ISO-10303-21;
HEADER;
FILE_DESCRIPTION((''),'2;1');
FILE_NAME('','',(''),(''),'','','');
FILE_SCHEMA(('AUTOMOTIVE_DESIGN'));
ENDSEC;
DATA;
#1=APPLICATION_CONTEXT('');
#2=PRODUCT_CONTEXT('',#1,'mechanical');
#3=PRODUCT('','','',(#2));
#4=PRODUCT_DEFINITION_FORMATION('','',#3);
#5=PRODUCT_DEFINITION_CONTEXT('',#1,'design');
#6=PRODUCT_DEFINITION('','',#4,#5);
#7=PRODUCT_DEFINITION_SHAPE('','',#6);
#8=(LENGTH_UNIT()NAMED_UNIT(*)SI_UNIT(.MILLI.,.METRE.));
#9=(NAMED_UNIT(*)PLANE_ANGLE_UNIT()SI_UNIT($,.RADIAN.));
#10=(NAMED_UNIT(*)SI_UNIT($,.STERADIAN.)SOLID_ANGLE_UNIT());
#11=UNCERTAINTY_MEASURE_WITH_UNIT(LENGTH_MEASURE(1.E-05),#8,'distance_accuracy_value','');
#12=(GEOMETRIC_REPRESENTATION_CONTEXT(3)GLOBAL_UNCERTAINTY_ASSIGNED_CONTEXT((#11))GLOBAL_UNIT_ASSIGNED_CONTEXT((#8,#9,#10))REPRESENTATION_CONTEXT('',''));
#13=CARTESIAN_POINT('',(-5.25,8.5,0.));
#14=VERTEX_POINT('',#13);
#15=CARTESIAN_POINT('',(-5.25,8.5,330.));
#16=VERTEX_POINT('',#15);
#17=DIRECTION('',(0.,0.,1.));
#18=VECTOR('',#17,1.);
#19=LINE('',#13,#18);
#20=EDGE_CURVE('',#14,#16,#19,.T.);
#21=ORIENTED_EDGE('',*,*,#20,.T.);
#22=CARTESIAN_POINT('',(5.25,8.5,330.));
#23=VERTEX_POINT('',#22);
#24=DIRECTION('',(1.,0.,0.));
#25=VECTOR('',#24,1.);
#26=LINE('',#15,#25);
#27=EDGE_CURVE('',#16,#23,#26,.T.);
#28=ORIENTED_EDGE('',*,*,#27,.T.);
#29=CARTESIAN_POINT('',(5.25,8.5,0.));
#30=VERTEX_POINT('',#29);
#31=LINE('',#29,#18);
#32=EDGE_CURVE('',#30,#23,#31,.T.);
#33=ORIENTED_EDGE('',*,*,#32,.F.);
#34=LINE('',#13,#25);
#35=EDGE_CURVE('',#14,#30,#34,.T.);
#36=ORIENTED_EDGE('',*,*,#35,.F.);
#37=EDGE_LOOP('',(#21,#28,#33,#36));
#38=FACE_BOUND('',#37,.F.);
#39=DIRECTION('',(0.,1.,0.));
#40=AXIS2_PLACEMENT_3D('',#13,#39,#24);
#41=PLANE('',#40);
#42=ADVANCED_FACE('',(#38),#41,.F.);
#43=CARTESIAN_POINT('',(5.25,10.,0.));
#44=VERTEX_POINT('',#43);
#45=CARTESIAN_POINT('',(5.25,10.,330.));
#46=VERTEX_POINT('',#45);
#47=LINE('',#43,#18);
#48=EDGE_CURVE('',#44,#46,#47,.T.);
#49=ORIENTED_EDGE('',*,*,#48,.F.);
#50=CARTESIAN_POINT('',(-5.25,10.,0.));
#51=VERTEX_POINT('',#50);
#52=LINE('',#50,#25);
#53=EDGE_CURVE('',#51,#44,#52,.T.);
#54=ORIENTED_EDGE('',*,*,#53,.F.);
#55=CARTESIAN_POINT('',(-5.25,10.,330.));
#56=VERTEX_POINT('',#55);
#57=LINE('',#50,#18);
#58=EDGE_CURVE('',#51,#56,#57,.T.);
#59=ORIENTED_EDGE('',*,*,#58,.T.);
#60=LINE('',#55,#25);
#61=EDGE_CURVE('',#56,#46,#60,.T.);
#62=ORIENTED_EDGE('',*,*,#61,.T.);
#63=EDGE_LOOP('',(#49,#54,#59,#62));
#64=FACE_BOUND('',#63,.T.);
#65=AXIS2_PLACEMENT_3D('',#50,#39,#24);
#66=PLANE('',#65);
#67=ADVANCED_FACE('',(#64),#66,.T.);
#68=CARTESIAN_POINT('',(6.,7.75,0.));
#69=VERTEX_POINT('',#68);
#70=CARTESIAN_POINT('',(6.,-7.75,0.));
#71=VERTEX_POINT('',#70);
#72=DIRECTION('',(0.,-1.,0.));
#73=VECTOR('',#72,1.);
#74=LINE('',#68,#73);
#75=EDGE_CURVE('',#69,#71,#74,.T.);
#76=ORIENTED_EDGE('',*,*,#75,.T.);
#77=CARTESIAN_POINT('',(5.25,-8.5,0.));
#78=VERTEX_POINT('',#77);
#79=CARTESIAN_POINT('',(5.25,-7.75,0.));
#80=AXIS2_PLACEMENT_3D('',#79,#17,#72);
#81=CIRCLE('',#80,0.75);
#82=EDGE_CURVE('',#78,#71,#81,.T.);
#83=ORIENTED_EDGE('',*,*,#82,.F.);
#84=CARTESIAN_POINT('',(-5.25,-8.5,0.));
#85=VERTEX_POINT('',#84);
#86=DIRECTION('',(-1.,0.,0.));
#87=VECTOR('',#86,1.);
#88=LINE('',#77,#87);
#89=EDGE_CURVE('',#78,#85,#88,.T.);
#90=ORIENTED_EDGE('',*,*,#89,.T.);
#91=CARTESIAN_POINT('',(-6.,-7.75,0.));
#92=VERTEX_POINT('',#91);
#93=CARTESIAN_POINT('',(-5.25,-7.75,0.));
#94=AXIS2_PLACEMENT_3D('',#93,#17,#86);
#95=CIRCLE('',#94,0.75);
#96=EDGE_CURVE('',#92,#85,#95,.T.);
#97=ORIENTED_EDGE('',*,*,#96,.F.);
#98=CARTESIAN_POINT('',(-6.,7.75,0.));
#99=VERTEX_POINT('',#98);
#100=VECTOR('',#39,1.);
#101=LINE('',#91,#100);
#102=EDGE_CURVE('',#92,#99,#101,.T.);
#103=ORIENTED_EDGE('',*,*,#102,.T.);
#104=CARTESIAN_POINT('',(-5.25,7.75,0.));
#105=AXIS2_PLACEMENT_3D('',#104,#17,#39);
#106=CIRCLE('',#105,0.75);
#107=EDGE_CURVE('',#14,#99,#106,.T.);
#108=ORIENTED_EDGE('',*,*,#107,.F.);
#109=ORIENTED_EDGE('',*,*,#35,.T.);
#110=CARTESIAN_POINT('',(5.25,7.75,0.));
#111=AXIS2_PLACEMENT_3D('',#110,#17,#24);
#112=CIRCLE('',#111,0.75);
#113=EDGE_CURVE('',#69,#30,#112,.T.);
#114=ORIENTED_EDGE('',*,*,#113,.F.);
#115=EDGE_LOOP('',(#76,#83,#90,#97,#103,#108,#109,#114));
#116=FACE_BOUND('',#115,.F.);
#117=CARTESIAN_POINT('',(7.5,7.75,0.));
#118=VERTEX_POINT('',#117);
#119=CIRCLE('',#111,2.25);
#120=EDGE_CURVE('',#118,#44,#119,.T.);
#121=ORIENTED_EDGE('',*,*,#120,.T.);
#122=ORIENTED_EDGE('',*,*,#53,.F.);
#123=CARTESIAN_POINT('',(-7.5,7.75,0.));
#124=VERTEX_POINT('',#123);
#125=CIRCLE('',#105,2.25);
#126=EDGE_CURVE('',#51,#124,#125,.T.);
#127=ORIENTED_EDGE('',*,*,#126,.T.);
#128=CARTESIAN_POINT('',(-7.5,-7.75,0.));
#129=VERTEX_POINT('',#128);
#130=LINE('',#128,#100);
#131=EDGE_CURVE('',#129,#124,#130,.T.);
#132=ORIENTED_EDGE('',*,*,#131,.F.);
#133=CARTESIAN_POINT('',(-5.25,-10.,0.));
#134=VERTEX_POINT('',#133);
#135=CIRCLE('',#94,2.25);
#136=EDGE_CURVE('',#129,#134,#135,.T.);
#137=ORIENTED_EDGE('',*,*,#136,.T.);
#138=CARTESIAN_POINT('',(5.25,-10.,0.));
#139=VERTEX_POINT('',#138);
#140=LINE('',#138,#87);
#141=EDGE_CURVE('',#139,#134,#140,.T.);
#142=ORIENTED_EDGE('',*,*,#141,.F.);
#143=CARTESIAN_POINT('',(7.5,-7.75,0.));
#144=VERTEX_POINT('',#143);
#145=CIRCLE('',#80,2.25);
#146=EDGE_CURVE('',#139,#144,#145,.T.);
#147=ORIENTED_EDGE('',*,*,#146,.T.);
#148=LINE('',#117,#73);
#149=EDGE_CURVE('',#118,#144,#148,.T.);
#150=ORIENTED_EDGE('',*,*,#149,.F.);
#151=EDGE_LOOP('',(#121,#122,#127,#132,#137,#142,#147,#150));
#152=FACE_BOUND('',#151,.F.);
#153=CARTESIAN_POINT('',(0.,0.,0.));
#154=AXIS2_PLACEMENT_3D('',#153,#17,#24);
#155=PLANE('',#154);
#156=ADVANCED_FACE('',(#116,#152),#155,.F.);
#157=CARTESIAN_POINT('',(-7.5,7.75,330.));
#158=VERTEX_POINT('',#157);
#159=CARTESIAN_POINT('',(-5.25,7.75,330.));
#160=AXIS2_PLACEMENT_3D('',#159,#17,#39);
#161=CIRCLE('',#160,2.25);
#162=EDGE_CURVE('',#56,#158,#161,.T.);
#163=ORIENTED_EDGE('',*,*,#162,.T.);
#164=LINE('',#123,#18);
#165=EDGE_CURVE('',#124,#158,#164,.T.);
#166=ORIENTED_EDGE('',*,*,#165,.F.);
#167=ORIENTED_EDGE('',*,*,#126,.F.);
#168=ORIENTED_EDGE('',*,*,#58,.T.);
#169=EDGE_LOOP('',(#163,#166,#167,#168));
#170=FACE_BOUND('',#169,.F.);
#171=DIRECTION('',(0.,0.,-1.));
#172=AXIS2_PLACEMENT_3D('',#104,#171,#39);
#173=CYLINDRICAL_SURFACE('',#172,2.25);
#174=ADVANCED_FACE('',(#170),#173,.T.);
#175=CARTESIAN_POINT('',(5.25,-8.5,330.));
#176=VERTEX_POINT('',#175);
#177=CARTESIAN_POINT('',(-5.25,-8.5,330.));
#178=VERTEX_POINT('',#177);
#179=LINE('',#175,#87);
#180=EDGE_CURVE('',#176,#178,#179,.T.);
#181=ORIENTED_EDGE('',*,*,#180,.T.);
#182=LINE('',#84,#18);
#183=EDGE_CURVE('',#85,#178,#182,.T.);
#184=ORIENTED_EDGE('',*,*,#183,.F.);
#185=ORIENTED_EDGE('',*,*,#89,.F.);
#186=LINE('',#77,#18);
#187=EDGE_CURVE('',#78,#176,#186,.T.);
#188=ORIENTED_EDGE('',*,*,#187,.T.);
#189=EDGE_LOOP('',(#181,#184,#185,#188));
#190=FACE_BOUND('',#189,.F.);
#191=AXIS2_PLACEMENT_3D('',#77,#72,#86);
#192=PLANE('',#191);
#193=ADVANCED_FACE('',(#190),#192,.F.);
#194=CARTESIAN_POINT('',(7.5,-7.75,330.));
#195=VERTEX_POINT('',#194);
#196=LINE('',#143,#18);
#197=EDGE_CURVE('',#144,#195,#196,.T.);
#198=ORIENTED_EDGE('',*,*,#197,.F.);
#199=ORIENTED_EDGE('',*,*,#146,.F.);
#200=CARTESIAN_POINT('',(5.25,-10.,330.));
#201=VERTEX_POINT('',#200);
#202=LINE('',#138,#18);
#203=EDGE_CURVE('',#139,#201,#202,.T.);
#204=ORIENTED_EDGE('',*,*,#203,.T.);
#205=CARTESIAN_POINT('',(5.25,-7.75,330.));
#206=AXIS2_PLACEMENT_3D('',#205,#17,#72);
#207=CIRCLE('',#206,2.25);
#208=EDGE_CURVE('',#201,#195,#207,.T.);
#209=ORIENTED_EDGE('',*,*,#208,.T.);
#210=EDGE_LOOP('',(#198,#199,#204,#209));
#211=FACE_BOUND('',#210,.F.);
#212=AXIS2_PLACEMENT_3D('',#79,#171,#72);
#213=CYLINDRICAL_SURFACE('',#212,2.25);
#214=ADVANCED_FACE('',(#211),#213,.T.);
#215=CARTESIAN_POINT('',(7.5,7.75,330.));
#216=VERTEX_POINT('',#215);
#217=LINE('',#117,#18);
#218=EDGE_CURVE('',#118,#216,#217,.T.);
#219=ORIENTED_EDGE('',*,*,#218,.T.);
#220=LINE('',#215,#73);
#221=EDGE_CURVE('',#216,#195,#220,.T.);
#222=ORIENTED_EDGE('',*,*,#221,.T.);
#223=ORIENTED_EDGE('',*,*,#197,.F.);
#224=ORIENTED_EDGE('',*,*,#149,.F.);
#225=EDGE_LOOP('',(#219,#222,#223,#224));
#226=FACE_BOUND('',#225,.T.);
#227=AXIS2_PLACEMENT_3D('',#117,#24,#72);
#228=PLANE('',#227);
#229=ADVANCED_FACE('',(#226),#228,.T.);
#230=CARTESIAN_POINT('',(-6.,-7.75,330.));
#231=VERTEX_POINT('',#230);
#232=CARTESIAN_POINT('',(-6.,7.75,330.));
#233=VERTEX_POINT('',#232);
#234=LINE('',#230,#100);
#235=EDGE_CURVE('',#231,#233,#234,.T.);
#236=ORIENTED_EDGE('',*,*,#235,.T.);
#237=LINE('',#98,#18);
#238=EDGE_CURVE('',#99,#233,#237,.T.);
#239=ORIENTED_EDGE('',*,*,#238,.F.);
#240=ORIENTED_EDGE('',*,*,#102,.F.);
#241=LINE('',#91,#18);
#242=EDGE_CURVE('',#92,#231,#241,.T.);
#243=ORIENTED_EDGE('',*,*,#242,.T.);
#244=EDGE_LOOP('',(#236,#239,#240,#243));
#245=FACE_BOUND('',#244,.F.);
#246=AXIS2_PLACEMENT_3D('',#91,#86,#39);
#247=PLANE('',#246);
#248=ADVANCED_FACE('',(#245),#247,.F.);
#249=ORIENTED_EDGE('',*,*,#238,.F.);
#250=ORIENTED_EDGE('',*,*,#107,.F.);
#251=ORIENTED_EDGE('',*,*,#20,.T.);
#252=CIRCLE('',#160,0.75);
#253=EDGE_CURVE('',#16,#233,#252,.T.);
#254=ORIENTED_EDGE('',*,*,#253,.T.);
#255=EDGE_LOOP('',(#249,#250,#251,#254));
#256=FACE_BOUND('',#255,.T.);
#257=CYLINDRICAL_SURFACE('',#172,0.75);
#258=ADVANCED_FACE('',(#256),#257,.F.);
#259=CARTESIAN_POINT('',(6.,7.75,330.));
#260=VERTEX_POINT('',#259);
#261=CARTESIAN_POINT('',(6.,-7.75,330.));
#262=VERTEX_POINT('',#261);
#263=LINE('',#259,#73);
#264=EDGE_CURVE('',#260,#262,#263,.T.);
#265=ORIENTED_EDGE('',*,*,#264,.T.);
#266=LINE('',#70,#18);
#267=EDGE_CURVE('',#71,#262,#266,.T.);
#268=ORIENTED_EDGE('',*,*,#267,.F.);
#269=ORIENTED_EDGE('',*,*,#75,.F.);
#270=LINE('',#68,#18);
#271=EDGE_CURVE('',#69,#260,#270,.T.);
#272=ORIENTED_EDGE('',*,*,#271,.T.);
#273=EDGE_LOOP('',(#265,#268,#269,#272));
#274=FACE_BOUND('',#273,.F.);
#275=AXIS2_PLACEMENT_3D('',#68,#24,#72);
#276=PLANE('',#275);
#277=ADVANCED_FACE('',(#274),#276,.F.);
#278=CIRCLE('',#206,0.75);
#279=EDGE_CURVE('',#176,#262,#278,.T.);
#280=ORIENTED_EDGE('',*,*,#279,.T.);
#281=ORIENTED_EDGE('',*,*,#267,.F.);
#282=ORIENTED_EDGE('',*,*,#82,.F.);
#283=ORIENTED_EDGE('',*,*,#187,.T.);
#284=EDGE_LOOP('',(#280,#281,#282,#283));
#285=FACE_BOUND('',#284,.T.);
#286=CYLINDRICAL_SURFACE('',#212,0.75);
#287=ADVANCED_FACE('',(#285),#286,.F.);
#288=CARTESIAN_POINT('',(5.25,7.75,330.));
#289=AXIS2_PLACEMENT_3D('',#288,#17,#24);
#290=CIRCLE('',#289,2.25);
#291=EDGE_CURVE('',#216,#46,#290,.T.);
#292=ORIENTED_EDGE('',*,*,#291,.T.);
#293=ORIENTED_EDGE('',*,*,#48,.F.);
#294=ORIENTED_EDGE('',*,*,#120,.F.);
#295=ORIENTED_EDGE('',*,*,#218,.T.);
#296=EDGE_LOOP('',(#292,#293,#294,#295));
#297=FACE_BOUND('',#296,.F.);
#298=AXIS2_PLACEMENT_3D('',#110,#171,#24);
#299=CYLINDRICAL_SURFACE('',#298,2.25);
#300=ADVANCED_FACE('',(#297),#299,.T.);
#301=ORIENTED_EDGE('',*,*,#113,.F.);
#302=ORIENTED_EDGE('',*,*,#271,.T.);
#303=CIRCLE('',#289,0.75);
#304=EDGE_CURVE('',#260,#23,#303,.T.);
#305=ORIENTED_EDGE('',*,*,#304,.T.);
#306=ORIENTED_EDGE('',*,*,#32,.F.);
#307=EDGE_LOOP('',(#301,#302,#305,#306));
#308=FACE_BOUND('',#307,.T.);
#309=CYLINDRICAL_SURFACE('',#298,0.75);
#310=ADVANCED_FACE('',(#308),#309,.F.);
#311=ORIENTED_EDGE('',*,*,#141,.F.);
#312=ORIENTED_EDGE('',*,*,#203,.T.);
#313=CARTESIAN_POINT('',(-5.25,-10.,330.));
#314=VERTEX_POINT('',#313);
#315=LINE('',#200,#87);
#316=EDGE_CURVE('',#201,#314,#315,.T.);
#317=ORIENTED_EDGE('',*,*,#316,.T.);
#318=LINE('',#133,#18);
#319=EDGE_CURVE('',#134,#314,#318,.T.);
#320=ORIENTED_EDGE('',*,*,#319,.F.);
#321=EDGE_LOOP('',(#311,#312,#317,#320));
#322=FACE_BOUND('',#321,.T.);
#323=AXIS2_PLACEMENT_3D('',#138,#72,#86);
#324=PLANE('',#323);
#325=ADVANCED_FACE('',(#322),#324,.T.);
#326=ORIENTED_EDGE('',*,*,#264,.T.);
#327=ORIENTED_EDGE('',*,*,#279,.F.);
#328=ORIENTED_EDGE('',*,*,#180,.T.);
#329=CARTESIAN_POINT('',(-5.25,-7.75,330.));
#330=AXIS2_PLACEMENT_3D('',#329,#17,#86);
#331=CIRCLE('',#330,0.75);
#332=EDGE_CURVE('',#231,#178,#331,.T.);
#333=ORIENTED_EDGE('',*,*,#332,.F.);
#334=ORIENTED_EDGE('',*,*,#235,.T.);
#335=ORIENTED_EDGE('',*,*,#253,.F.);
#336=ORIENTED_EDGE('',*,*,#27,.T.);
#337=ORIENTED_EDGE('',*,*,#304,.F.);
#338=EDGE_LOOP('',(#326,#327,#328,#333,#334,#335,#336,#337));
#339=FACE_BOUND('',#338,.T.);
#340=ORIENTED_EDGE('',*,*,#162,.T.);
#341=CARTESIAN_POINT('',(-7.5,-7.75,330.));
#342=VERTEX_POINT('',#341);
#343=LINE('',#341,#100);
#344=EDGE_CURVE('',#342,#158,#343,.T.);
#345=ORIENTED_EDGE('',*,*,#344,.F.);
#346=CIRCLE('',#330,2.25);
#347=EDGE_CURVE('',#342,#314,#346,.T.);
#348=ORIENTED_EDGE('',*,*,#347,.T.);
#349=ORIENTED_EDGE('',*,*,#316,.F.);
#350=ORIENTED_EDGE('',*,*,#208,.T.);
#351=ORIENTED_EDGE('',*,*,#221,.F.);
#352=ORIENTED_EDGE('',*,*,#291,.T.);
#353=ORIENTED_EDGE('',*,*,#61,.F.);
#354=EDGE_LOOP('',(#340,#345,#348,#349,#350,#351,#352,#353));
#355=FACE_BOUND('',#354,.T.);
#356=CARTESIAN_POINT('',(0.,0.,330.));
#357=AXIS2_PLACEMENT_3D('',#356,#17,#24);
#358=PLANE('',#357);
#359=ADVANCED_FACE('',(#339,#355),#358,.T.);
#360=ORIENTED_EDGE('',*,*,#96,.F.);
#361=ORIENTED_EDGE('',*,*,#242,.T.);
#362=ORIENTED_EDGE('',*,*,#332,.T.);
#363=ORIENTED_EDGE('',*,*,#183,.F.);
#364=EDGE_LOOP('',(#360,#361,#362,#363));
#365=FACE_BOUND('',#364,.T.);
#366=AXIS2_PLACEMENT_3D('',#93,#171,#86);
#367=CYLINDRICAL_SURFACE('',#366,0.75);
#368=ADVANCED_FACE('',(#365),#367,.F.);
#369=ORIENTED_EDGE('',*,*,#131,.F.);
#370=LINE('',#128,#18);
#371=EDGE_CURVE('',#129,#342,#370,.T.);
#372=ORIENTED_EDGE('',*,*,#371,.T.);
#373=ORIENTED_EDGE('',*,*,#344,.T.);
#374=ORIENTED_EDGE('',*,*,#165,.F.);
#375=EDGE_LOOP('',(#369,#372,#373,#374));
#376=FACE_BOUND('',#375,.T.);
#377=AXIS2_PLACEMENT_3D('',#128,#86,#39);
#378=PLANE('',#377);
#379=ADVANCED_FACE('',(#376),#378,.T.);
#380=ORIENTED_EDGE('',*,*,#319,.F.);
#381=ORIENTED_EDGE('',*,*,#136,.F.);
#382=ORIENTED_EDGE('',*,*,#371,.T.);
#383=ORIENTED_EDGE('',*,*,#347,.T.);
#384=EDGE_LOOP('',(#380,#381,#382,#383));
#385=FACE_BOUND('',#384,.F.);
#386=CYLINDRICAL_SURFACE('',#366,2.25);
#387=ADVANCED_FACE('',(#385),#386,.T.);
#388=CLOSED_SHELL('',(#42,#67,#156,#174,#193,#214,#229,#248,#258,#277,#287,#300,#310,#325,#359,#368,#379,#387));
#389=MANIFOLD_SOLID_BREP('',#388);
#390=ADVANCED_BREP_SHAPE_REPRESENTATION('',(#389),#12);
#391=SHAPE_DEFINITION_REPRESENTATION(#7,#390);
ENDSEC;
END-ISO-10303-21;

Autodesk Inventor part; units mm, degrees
ref_plane "Start plane" through (0, 0, 0) normal (0, 0, 1) x (1, 0, 0)
ref_plane "End plane" through (0, 0, 330) normal (0, 0, 1) x (1, 0, 0)
sketch "Sketch" plane through (0, 0, 0) normal (0, 0, 1) x (1, 0, 0)
  line L0 (-7.5, -7.75) -> (-7.5, 7.75)
  line L1 (-5.25, 10) -> (5.25, 10)
  line L2 (7.5, 7.75) -> (7.5, -7.75)
  line L3 (5.25, -10) -> (-5.25, -10)
  arc A0 (-7.5, -7.75) -> (-5.25, -10) centre (-5.25, -7.75) ccw
  arc A1 (-5.25, 10) -> (-7.5, 7.75) centre (-5.25, 7.75) ccw
  arc A2 (7.5, 7.75) -> (5.25, 10) centre (5.25, 7.75) ccw
  arc A3 (5.25, -10) -> (7.5, -7.75) centre (5.25, -7.75) ccw
  arc A4 (-5.25, 8.5) -> (-6, 7.75) centre (-5.25, 7.75) ccw
  line L4 (-5.25, 8.5) -> (5.25, 8.5)
  arc A5 (6, 7.75) -> (5.25, 8.5) centre (5.25, 7.75) ccw
  line L5 (6, 7.75) -> (6, -7.75)
  arc A6 (5.25, -8.5) -> (6, -7.75) centre (5.25, -7.75) ccw
  line L6 (5.25, -8.5) -> (-5.25, -8.5)
  arc A7 (-6, -7.75) -> (-5.25, -8.5) centre (-5.25, -7.75) ccw
  line L7 (-6, -7.75) -> (-6, 7.75)
  line L8 (0, 14.6524) -> (0, -14.6524) construction
  line L9 (-11.5592, 0) -> (13.5932, 0) construction
  dimension "d7" = 2.25
  dimension "d10" = 20
  dimension "d11" = 15
  dimension "d12" = 1.5
  dimension "d15" = 10
  dimension "d16" = 7.5
extrude "Body" add sketch "Sketch" along normal up to surface (330 mm away) from surface at 0
sketch "Sketch3" plane through (0, 0, 0) normal (0, 0, 1) x (1, 0, 0)
  line L0 (0, 0) -> (10, 0)
ref_plane "Work Plane3" through (0, 0, 0) normal (0, -1, 0) x (1, 0, 0)
sketch "Sketch4" plane through (0, 0, 0) normal (0, -1, 0) x (1, 0, 0)
  line L0 (-2, 0) -> (12, 0)
  line L1 (-2, 330) -> (12, 330)
  dimension "d18" = 330
ref_plane "Work Plane4" through (39.5, -503, 0) normal (0, 0, -1) x (-1, 0, 0)
split "Split1" plane through (39.5, -503, 0) removes the side toward (0, 0, -1)
ref_plane "Work Plane5" through (-4.5, -503, 330) normal (0, 0, 1) x (1, 0, 0)
split "Split2" plane through (-4.5, -503, 330) removes the side toward (0, 0, 1)
equation "\"d7\" = G_IR"
equation "\"d10\" = G_H"
equation "\"d11\" = G_W"
equation "\"d12\" = G_T"
equation "\"d15\" = 0.5 * d10"
equation "\"d16\" = 0.5 * d11"
equation "\"d3\" = G_L"
equation "\"G_W\" = 15"
equation "\"G_H\" = 20"
equation "\"G_T\" = 1.5"
equation "\"G_IR\" = 2.25"
equation "\"G_L\" = d18"
equation "\"G_OFFSET_START\" = 0"
equation "\"G_OFFSET_END\" = -40"
equation "\"d14\" = G_OFFSET_END + B_L"
equation "\"B_L\" = 370"
properties part number "UNI EN 10305-5 - 20 x 15 x 1,5  - 330" material "Steel, Mild"
